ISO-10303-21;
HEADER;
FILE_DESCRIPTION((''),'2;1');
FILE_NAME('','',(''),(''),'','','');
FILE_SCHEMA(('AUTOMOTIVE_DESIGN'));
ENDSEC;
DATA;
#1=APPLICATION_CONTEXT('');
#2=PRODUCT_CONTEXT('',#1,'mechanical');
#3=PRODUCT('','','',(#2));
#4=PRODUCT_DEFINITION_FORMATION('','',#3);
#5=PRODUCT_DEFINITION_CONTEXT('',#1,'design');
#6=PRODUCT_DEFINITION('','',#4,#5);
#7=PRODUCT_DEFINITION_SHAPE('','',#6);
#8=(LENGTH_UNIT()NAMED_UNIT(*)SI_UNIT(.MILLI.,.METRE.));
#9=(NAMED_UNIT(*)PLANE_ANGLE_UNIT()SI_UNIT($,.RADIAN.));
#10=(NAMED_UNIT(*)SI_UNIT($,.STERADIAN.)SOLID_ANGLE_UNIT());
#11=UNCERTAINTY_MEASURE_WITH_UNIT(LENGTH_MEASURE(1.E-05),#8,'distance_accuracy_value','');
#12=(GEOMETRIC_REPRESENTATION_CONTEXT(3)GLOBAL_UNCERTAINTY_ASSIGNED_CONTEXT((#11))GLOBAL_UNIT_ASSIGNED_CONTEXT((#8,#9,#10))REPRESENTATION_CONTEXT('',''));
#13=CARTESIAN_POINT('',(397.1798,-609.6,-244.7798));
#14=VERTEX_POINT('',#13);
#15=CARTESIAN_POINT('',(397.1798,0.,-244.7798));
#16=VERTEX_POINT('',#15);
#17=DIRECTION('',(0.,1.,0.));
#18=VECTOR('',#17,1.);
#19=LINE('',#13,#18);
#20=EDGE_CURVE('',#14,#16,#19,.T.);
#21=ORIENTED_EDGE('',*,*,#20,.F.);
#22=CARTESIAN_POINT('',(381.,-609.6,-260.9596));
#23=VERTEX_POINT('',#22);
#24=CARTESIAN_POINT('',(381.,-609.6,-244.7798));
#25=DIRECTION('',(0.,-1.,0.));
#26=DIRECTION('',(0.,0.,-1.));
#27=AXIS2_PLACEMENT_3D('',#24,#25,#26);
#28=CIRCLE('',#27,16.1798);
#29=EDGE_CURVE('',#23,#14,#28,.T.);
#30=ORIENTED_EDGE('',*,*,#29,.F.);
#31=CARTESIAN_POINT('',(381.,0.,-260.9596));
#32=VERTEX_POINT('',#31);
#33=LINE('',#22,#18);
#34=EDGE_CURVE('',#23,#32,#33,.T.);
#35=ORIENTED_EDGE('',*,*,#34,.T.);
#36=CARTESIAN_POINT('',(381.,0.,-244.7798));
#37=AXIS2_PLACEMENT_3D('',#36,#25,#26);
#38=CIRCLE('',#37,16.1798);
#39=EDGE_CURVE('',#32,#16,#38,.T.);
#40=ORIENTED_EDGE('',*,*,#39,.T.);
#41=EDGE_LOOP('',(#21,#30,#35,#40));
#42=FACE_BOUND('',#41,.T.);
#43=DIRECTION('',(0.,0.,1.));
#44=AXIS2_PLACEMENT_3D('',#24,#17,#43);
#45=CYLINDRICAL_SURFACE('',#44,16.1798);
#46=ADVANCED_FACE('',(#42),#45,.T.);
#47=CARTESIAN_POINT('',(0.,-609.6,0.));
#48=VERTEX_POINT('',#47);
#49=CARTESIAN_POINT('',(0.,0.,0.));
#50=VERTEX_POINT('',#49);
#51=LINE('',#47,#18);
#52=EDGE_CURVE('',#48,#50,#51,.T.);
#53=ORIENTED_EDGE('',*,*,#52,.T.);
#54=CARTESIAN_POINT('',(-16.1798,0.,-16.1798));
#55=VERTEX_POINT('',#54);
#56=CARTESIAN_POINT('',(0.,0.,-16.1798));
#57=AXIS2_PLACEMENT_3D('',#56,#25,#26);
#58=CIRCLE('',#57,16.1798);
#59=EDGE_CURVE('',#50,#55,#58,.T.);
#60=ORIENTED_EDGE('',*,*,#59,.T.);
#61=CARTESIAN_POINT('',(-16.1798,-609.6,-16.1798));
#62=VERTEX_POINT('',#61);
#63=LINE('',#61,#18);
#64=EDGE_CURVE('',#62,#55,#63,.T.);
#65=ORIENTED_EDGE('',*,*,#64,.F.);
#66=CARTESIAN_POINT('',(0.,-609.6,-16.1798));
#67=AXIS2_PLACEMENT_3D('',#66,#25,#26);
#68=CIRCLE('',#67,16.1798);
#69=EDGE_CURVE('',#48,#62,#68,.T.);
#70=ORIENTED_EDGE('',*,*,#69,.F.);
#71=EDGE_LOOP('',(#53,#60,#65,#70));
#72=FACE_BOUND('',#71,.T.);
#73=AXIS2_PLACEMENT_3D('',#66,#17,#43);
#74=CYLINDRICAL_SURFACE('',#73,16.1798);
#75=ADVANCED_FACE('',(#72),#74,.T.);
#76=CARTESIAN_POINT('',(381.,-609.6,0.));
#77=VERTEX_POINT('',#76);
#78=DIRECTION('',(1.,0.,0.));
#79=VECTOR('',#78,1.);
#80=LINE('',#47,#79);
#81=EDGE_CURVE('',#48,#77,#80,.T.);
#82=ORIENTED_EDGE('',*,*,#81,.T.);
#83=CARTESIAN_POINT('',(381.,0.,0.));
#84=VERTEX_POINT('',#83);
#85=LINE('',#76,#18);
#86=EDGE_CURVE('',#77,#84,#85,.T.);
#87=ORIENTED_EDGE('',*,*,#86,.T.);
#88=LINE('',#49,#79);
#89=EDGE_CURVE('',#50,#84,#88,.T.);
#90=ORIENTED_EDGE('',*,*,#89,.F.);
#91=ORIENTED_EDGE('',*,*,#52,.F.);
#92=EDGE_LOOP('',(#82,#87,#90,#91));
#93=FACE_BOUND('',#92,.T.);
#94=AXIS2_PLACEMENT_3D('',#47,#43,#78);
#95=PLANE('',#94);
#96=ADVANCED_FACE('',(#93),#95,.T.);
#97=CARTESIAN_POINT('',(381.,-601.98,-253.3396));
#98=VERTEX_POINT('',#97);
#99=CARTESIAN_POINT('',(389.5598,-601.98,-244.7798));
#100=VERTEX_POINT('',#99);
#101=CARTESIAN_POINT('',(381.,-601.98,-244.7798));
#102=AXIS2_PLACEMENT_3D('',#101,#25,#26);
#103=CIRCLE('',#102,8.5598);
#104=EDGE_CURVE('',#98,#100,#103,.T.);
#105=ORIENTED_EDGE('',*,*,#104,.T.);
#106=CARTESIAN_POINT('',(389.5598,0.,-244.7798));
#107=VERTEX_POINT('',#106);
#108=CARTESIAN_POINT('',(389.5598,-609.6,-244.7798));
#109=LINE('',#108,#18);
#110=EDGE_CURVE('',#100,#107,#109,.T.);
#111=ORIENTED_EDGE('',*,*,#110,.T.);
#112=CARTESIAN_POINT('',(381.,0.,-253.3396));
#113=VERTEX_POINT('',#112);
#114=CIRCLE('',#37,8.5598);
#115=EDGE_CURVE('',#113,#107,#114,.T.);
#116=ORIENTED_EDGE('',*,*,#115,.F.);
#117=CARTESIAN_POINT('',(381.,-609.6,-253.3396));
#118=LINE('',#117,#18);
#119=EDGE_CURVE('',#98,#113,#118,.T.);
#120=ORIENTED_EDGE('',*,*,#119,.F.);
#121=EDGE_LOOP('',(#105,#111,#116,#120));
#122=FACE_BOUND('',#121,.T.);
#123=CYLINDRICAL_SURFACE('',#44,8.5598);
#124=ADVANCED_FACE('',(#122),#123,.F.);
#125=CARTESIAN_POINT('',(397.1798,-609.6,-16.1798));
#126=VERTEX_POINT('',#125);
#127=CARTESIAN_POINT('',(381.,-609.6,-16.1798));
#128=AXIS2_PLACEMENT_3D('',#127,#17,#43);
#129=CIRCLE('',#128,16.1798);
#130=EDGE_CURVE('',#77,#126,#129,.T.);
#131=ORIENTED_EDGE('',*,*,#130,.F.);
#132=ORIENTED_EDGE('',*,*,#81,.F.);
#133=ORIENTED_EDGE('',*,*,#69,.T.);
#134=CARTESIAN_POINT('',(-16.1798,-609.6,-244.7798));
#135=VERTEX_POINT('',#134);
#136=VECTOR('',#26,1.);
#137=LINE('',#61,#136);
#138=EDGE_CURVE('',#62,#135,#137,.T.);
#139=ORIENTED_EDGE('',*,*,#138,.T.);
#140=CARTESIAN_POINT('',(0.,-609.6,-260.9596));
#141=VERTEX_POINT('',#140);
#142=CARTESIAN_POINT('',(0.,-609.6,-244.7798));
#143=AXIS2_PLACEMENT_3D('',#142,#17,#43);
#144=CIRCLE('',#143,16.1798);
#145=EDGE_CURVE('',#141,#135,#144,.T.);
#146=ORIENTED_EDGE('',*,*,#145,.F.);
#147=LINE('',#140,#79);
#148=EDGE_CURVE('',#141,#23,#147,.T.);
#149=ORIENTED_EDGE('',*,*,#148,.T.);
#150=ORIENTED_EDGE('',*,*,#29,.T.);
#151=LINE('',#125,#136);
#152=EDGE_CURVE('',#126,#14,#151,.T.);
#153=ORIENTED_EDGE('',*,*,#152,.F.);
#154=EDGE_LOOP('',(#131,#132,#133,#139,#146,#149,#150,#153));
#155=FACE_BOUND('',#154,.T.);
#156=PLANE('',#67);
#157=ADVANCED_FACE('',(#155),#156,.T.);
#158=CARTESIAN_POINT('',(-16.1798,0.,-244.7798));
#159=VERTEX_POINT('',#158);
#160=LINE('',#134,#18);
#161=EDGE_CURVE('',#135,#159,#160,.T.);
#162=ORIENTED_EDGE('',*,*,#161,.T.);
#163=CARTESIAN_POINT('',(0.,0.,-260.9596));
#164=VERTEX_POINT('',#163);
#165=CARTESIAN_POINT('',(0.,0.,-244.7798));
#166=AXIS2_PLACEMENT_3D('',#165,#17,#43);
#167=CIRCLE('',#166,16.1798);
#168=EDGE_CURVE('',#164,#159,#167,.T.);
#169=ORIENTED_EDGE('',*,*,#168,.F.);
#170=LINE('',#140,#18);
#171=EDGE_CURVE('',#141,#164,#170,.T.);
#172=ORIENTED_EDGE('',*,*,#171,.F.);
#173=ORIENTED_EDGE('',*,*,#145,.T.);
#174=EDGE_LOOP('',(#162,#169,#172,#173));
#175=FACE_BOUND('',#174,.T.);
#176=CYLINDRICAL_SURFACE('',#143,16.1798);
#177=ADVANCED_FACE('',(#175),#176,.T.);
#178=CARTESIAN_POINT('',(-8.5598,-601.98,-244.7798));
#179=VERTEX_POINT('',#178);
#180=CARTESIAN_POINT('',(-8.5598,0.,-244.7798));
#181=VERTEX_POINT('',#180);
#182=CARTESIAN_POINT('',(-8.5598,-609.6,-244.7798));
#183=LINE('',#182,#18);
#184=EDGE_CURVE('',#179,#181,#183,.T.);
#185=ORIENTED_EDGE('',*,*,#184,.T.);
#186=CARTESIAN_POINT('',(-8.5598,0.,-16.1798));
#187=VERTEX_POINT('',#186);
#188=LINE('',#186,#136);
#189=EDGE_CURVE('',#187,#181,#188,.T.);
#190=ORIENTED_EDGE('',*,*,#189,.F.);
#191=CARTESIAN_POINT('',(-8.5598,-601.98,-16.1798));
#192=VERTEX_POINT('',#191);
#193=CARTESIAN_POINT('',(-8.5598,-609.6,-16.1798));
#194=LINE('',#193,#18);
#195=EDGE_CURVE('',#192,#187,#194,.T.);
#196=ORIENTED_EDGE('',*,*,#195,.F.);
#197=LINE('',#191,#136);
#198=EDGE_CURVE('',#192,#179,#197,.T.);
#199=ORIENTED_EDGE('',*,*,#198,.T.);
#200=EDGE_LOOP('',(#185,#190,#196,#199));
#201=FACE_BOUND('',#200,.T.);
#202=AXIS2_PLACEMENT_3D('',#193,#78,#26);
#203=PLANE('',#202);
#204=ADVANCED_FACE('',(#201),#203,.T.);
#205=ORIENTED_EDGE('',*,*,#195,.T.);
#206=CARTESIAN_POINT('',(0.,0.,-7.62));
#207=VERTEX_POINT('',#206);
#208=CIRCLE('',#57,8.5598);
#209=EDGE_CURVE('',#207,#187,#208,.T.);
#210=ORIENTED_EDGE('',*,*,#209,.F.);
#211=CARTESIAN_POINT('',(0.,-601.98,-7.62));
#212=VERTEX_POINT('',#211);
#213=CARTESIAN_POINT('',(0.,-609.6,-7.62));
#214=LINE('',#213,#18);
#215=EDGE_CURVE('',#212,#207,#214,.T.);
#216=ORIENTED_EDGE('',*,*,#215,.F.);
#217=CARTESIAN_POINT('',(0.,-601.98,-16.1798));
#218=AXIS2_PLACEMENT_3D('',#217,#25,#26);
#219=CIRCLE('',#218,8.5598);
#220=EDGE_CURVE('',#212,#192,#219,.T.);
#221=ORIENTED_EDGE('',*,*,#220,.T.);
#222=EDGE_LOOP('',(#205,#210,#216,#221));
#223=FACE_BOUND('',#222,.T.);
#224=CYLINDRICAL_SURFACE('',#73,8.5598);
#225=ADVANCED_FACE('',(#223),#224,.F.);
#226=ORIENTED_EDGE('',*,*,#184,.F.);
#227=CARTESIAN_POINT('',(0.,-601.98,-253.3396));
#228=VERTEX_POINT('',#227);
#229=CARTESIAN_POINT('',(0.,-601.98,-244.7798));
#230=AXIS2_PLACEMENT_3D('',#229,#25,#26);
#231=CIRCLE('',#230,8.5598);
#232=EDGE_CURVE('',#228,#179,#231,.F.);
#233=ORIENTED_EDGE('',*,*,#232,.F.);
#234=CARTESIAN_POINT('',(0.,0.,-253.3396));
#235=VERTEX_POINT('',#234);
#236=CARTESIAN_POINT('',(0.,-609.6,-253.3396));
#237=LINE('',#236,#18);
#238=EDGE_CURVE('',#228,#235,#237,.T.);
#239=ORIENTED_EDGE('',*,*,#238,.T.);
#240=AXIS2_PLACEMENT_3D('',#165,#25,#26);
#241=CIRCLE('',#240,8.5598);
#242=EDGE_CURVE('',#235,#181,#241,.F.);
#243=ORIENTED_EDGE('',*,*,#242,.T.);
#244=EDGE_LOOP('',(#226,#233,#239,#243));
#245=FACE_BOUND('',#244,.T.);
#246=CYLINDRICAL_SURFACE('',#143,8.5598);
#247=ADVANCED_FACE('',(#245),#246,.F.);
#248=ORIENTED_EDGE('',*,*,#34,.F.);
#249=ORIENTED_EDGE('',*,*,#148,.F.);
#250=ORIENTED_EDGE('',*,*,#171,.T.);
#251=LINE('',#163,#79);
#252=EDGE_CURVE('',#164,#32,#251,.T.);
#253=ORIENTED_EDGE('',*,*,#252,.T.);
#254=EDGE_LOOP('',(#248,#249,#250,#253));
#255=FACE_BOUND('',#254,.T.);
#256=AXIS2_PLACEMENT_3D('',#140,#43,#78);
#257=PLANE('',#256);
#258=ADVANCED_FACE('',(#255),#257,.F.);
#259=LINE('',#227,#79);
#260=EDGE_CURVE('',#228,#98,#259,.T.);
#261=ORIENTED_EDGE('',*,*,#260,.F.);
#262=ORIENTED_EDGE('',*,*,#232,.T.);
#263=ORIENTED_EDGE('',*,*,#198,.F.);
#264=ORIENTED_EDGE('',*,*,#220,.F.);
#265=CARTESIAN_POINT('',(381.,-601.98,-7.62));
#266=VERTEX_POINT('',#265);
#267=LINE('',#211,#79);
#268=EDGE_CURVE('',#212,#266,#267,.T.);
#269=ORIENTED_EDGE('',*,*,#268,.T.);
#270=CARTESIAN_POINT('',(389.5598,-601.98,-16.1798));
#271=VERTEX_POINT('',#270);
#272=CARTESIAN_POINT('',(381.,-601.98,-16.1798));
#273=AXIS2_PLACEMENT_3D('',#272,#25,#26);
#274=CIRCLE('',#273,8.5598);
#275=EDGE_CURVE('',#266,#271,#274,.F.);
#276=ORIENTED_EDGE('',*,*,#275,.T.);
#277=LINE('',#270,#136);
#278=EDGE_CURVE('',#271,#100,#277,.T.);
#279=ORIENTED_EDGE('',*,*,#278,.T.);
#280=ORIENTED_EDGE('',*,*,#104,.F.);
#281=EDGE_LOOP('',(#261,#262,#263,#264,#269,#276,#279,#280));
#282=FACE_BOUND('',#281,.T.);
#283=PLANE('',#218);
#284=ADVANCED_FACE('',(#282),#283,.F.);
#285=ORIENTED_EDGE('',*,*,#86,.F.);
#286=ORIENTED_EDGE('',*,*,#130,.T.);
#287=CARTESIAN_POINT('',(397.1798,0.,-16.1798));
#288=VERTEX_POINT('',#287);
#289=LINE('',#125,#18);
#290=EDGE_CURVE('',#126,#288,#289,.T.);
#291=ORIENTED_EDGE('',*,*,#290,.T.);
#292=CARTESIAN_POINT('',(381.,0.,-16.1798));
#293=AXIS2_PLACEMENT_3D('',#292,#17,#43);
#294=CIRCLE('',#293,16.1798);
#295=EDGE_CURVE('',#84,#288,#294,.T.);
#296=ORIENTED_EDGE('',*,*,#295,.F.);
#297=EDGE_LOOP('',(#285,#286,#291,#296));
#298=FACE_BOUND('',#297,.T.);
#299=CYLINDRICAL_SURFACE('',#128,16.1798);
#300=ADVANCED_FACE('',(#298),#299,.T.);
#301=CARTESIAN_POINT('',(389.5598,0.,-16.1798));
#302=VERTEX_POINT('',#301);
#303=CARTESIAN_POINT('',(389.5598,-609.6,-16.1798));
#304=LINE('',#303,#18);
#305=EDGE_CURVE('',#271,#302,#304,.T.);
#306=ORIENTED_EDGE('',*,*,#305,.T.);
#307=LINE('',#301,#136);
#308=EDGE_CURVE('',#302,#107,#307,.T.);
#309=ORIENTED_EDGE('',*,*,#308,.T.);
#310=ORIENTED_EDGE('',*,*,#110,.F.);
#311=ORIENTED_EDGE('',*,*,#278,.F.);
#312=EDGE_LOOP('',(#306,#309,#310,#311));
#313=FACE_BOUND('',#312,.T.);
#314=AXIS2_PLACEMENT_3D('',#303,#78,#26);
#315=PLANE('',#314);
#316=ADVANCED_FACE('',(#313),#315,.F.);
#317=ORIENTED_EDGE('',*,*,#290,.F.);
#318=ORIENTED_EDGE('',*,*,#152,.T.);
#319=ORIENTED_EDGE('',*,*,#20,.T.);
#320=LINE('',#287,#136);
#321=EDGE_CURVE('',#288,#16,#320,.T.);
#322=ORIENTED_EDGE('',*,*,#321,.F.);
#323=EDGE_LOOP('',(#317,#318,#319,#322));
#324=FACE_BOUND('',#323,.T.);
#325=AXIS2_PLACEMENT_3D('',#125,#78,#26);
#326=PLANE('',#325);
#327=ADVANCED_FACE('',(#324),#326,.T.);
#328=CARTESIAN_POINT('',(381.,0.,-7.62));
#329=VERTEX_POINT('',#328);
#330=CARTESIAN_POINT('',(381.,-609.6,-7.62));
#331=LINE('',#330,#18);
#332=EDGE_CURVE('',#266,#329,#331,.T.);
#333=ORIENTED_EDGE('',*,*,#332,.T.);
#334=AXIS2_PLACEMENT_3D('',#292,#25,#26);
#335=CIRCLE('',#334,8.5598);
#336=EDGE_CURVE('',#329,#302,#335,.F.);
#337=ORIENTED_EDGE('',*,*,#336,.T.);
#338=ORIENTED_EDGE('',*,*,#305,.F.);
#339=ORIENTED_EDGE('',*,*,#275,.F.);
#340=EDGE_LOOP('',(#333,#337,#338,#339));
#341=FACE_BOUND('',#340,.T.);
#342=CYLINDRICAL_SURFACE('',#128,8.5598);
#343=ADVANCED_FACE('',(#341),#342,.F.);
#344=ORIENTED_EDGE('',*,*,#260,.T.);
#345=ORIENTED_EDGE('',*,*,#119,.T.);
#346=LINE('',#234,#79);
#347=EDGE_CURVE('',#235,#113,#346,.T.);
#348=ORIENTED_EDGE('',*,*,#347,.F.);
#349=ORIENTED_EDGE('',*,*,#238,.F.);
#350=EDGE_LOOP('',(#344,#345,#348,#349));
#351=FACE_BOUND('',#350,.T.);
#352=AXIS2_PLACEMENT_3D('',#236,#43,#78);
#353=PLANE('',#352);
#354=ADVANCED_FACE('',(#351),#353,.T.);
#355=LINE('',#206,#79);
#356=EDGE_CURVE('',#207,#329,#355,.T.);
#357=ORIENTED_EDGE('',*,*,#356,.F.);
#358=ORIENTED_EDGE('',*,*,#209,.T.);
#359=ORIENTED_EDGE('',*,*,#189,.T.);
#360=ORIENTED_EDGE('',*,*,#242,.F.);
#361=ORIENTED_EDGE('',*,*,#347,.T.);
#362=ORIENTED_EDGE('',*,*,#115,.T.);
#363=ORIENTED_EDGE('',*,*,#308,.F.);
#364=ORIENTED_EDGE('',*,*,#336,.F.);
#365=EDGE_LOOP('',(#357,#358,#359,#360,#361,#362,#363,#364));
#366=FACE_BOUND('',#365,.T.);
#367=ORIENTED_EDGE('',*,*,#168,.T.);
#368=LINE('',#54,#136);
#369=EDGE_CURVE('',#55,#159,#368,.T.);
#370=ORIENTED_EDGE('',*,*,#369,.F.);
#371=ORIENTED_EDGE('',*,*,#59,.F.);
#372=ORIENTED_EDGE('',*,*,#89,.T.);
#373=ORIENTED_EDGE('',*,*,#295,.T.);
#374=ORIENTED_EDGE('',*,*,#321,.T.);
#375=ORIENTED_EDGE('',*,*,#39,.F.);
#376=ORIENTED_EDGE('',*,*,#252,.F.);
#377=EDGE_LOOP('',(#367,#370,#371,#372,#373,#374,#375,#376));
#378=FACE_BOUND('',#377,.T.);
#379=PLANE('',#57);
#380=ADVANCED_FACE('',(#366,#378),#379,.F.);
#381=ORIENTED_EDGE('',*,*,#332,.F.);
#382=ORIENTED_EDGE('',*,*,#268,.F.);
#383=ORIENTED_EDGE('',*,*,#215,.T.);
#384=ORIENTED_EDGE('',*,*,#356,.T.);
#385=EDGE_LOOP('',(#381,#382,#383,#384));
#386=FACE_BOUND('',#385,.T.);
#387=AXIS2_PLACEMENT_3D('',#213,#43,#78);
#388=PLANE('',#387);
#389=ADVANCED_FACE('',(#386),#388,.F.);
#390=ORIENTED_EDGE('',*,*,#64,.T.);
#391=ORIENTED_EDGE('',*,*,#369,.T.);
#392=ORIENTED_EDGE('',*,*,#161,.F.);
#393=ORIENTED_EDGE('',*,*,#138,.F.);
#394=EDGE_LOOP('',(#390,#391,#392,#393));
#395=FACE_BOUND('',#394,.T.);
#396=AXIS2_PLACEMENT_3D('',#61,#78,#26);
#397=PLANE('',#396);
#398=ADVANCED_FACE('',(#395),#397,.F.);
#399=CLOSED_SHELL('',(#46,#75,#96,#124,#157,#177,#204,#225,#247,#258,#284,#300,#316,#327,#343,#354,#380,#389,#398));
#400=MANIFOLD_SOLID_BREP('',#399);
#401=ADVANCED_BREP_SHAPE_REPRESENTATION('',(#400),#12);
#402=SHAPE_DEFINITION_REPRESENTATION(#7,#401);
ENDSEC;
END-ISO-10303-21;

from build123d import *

# Parameters (mm, degrees)
BOSS_EXTRUDE1_DEPTH = 609.6
SHELL1_T            = -7.62


with BuildPart() as part:
    # Sketch1 → Boss-Extrude1 (new body)
    with BuildSketch(Plane(origin=(0, 0, 0), x_dir=(1, 0, 0), z_dir=(0, 1, 0))):
        with BuildLine():
            Line((0, 0), (381, 0))
            ThreePointArc((381, 0), (392.440846298, 4.738953702), (397.1798, 16.1798))
            Line((397.1798, 16.1798), (397.1798, 244.7798))
            ThreePointArc((397.1798, 244.7798), (392.440846298, 256.220646298), (381, 260.9596))
            Line((381, 260.9596), (0, 260.9596))
            ThreePointArc((0, 260.9596), (-11.440846298, 256.220646298), (-16.1798, 244.7798))
            Line((-16.1798, 244.7798), (-16.1798, 16.1798))
            ThreePointArc((-16.1798, 16.1798), (-11.440846298, 4.738953702), (0, 0))
        make_face()
    extrude(amount=-BOSS_EXTRUDE1_DEPTH)

    # Shell1
    shell1_openings = [part.faces().sort_by_distance(p)[0] for p in [
        (190.5, 0, -130.4798),
    ]]
    offset(amount=SHELL1_T, openings=shell1_openings, kind=Kind.INTERSECTION)


solid = part.part
